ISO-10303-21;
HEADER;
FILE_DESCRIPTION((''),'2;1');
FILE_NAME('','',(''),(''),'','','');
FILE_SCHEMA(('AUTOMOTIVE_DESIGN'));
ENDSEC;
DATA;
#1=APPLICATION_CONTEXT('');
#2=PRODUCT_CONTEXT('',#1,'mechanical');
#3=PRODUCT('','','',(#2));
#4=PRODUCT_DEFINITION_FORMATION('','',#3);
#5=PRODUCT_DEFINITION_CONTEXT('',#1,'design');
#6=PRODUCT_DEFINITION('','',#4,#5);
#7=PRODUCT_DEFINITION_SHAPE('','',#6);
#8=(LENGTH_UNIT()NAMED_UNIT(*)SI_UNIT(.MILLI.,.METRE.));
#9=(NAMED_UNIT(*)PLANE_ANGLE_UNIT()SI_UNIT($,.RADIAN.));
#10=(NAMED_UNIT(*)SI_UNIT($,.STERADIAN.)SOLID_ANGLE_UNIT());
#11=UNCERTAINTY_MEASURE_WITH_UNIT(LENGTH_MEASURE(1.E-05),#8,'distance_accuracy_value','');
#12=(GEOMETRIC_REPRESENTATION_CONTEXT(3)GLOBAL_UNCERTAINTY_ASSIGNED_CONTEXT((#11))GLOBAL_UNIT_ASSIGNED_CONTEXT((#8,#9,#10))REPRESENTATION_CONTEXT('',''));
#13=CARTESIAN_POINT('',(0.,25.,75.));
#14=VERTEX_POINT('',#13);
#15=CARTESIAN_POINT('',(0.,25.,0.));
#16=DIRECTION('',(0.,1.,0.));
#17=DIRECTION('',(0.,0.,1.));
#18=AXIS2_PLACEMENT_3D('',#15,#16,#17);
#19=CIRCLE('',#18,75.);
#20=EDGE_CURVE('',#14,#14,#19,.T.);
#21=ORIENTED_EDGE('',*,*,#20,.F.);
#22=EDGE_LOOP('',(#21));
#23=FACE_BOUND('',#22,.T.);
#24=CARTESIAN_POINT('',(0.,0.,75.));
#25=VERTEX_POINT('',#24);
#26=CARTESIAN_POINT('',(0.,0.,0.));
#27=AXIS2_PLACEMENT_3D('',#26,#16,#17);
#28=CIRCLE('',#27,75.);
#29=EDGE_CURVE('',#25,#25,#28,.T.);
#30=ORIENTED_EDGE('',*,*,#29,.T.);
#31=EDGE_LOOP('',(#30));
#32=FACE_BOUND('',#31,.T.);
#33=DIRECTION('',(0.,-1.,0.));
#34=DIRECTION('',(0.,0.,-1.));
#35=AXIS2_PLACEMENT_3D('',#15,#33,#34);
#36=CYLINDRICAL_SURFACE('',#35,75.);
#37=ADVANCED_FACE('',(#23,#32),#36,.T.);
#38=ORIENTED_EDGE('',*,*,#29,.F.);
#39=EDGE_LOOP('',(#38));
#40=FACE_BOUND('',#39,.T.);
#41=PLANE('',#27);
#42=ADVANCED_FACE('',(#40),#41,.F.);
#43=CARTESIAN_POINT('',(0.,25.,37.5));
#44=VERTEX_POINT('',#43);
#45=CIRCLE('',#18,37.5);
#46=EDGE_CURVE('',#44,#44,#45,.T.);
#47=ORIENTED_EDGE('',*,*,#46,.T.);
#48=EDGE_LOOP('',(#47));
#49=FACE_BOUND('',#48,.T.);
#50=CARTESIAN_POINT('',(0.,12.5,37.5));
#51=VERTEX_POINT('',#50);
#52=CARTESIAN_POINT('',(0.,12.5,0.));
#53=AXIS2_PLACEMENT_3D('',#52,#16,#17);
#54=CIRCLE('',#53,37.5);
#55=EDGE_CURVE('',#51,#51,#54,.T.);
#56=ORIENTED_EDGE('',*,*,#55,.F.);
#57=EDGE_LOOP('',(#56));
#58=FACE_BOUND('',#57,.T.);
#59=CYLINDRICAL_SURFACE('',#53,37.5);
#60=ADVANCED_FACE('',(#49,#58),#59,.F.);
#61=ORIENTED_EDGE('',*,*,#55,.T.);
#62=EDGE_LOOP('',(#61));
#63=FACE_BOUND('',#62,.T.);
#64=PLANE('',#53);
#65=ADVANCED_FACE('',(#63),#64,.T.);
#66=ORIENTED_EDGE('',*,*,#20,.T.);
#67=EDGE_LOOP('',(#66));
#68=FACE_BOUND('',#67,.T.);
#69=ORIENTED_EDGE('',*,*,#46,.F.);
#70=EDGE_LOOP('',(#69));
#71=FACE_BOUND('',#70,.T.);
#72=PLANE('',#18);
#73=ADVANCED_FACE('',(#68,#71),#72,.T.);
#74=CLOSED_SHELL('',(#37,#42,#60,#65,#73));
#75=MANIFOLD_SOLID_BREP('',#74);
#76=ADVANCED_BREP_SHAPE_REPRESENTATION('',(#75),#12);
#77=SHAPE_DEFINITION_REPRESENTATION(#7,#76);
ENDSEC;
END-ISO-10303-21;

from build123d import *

# Parameters (mm, degrees)
ESQUISSE2_R             = 75
BOSS_EXTRU_1_DEPTH      = 25
ESQUISSE3_R             = 37.5
ENL_V_MAT_EXTRU_1_DEPTH = 12.5


with BuildPart() as part:
    # Esquisse2 → Boss.-Extru.1 (new body)
    with BuildSketch(Plane(origin=(0, 0, 0), x_dir=(1, 0, 0), z_dir=(0, 1, 0))):
        with Locations(Location((0, 0, 0), (0, 0, 270))):
            Circle(ESQUISSE2_R)
    extrude(amount=BOSS_EXTRU_1_DEPTH)

    # Esquisse3 → Enlèv. mat.-Extru.1 (cut)
    with BuildSketch(Plane(origin=(0, 25, 0), x_dir=(1, 0, 0), z_dir=(0, 1, 0))):
        with Locations(Location((0, 0, 0), (0, 0, 270))):
            Circle(ESQUISSE3_R)
    extrude(amount=-ENL_V_MAT_EXTRU_1_DEPTH, mode=Mode.SUBTRACT)


solid = part.part
